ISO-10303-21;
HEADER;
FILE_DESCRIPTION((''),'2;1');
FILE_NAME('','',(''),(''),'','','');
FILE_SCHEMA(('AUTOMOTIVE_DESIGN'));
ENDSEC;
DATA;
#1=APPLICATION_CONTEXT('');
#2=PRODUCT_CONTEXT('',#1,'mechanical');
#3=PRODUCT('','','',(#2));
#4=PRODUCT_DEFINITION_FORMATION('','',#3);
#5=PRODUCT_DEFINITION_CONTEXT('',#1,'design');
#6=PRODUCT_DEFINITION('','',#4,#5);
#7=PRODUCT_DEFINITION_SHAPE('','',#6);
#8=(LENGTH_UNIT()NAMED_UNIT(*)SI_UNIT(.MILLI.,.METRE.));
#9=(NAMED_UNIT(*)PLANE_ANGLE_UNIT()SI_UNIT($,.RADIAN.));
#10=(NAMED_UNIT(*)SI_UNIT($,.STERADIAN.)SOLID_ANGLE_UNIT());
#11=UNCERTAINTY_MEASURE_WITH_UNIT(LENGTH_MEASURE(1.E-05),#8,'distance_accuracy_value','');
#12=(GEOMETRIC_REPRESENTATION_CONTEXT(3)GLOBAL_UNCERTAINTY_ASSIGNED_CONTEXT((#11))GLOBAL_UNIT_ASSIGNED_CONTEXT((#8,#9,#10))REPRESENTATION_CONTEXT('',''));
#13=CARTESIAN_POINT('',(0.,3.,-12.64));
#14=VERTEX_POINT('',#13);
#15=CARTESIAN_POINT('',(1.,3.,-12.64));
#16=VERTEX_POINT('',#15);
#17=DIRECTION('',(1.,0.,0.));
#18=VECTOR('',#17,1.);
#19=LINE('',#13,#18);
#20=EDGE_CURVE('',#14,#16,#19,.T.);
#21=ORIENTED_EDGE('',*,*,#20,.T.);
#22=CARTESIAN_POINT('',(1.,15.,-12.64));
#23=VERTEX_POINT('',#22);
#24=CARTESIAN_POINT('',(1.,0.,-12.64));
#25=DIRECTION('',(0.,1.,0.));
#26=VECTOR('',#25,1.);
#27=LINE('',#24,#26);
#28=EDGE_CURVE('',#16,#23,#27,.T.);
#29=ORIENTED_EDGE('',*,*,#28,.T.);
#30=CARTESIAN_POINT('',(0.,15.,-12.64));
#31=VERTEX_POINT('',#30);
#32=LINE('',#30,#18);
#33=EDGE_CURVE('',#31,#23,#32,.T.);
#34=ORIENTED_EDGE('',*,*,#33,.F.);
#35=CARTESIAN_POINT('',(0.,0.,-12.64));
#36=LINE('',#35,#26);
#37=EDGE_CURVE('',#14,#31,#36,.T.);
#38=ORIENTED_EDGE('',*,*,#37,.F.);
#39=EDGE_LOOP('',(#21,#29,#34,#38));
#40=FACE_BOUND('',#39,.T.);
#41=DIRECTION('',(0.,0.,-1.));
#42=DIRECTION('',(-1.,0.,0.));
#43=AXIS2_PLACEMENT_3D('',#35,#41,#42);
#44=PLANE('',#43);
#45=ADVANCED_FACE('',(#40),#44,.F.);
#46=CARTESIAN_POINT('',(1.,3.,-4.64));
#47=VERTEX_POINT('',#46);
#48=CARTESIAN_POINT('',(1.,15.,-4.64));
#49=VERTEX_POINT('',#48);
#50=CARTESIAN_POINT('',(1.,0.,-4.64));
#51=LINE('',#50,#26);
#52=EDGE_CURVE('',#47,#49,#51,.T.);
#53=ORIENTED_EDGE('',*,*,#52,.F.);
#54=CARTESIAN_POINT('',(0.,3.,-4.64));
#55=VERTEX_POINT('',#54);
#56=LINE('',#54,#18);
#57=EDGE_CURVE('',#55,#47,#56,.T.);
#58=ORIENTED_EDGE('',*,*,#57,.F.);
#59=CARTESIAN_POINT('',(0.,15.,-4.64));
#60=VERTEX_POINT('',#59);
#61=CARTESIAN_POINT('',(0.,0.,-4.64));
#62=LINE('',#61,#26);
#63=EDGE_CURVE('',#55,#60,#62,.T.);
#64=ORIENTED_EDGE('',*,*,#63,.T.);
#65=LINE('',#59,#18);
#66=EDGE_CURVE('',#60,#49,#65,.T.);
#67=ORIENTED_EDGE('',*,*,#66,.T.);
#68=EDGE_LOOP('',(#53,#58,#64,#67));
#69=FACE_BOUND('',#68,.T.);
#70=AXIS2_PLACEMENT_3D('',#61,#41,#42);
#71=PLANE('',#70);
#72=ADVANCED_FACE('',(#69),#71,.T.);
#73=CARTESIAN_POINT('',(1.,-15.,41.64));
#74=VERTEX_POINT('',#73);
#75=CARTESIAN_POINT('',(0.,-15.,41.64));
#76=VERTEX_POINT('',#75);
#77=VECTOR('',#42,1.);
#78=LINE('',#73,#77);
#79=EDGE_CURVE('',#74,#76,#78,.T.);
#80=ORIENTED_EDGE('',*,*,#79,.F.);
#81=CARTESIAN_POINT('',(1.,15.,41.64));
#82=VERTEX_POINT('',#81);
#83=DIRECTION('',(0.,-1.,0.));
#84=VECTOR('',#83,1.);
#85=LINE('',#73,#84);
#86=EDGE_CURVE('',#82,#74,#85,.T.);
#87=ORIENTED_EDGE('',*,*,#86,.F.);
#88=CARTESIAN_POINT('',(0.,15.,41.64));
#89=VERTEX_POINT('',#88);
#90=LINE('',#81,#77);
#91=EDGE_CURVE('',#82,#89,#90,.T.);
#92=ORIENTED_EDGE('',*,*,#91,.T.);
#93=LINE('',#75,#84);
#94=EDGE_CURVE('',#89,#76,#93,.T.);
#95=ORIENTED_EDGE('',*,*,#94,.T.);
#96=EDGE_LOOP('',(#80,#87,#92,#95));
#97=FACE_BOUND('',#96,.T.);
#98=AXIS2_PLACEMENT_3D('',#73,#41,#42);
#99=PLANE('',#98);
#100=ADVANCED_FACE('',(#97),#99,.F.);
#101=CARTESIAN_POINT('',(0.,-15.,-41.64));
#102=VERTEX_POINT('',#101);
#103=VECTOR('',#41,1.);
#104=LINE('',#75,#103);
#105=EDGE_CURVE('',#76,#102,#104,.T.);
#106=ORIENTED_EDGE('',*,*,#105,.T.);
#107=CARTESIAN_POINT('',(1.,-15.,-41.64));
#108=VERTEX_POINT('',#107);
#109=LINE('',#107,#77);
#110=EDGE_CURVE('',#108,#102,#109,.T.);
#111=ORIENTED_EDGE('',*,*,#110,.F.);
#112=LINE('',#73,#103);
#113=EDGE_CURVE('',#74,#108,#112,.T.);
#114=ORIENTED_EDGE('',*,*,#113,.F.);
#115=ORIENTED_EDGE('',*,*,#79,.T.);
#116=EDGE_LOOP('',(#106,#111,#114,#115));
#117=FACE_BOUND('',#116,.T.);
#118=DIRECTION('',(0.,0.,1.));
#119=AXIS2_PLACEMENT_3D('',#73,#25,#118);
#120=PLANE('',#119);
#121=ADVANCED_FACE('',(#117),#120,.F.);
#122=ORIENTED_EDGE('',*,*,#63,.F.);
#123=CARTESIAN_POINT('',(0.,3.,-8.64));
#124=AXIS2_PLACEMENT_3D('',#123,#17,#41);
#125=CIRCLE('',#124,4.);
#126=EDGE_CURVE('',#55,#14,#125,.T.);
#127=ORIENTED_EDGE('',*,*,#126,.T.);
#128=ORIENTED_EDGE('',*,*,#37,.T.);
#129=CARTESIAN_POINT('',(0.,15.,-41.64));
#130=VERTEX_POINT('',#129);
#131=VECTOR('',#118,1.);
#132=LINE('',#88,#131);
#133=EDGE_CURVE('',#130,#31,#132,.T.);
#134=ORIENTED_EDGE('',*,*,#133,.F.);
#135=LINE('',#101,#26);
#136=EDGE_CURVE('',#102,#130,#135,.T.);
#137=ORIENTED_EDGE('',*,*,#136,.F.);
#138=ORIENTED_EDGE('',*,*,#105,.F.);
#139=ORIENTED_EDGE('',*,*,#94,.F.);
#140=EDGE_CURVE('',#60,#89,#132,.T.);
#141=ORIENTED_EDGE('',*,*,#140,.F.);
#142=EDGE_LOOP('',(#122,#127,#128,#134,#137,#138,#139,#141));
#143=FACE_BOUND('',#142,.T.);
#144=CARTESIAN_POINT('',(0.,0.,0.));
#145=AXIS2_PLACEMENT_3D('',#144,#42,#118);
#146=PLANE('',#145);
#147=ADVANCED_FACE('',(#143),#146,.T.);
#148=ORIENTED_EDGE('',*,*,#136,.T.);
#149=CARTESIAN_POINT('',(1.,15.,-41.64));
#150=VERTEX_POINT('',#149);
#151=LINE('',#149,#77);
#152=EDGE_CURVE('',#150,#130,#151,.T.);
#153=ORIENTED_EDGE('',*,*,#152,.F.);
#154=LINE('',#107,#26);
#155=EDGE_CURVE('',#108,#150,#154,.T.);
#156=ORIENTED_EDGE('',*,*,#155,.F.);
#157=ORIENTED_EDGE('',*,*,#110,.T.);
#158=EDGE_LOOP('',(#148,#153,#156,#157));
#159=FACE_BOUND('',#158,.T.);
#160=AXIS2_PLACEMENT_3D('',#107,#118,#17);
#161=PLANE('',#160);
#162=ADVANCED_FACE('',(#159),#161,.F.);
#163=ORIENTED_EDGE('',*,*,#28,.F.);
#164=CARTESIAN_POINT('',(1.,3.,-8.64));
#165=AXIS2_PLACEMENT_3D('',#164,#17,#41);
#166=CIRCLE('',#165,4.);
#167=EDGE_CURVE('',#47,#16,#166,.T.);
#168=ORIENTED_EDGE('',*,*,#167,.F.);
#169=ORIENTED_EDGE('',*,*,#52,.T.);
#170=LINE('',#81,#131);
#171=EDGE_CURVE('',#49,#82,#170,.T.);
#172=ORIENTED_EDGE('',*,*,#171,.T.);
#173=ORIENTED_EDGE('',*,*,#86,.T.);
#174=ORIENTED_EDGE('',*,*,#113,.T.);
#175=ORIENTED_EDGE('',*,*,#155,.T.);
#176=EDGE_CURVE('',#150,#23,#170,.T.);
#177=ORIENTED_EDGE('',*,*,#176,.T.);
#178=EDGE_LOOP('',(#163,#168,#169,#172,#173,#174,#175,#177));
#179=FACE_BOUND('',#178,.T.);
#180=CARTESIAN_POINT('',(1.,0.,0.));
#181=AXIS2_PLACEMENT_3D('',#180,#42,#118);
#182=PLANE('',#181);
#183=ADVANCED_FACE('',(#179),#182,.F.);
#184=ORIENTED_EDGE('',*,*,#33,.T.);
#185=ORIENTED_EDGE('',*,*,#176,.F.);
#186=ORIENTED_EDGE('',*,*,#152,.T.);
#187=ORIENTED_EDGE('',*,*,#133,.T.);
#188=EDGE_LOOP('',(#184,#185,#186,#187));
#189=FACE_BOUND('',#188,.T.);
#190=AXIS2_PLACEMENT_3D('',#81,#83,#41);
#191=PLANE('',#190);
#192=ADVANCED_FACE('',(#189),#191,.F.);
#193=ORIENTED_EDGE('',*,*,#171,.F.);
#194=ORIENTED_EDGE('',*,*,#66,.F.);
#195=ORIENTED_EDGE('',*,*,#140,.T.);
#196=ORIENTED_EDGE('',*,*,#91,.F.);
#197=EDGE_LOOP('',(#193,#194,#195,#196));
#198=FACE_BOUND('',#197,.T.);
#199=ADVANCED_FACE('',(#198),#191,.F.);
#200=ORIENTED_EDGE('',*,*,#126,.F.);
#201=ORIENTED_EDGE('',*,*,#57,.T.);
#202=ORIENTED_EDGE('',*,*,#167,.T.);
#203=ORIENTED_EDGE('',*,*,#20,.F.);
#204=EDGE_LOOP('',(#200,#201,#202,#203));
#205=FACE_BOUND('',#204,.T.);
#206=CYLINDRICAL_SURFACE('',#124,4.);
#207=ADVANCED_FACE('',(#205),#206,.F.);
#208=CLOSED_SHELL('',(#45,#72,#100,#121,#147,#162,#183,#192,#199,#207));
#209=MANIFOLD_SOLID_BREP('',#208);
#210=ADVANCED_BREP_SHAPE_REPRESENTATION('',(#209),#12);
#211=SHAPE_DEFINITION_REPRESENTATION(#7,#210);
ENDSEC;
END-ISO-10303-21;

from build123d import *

# Parameters (mm, degrees)
SKETCH1_W           = 83.28
SKETCH1_H           = 30
BOSS_EXTRUDE1_DEPTH = 1
CUT_EXTRUDE2_DEPTH  = 45.270640384


with BuildPart() as part:
    # Sketch1 → Boss-Extrude1 (new body)
    with BuildSketch(Plane(origin=(0, 0, 0), x_dir=(0, 0, -1), z_dir=(1, 0, 0))):
        Rectangle(SKETCH1_W, SKETCH1_H)
    extrude(amount=BOSS_EXTRUDE1_DEPTH)

    # Sketch3 → Cut-Extrude2 (cut, through all)
    with BuildSketch(Plane(origin=(1, 0, 0), x_dir=(0, 0, -1), z_dir=(1, 0, 0))):
        with BuildLine():
            Line((4.64, 15), (4.64, 3))
            ThreePointArc((4.64, 3), (8.64, 7), (12.64, 3))
            Line((12.64, 3), (12.64, 15))
            Line((12.64, 15), (4.64, 15))
        make_face()
        with BuildLine():
            ThreePointArc((12.64, 3), (8.64, 7), (4.64, 3))
            Line((4.64, 3), (12.64, 3))
        make_face()
        with BuildLine():
            Line((12.64, 3), (4.64, 3))
            ThreePointArc((4.64, 3), (8.64, -1), (12.64, 3))
        make_face()
    extrude(amount=-CUT_EXTRUDE2_DEPTH, mode=Mode.SUBTRACT)


solid = part.part
